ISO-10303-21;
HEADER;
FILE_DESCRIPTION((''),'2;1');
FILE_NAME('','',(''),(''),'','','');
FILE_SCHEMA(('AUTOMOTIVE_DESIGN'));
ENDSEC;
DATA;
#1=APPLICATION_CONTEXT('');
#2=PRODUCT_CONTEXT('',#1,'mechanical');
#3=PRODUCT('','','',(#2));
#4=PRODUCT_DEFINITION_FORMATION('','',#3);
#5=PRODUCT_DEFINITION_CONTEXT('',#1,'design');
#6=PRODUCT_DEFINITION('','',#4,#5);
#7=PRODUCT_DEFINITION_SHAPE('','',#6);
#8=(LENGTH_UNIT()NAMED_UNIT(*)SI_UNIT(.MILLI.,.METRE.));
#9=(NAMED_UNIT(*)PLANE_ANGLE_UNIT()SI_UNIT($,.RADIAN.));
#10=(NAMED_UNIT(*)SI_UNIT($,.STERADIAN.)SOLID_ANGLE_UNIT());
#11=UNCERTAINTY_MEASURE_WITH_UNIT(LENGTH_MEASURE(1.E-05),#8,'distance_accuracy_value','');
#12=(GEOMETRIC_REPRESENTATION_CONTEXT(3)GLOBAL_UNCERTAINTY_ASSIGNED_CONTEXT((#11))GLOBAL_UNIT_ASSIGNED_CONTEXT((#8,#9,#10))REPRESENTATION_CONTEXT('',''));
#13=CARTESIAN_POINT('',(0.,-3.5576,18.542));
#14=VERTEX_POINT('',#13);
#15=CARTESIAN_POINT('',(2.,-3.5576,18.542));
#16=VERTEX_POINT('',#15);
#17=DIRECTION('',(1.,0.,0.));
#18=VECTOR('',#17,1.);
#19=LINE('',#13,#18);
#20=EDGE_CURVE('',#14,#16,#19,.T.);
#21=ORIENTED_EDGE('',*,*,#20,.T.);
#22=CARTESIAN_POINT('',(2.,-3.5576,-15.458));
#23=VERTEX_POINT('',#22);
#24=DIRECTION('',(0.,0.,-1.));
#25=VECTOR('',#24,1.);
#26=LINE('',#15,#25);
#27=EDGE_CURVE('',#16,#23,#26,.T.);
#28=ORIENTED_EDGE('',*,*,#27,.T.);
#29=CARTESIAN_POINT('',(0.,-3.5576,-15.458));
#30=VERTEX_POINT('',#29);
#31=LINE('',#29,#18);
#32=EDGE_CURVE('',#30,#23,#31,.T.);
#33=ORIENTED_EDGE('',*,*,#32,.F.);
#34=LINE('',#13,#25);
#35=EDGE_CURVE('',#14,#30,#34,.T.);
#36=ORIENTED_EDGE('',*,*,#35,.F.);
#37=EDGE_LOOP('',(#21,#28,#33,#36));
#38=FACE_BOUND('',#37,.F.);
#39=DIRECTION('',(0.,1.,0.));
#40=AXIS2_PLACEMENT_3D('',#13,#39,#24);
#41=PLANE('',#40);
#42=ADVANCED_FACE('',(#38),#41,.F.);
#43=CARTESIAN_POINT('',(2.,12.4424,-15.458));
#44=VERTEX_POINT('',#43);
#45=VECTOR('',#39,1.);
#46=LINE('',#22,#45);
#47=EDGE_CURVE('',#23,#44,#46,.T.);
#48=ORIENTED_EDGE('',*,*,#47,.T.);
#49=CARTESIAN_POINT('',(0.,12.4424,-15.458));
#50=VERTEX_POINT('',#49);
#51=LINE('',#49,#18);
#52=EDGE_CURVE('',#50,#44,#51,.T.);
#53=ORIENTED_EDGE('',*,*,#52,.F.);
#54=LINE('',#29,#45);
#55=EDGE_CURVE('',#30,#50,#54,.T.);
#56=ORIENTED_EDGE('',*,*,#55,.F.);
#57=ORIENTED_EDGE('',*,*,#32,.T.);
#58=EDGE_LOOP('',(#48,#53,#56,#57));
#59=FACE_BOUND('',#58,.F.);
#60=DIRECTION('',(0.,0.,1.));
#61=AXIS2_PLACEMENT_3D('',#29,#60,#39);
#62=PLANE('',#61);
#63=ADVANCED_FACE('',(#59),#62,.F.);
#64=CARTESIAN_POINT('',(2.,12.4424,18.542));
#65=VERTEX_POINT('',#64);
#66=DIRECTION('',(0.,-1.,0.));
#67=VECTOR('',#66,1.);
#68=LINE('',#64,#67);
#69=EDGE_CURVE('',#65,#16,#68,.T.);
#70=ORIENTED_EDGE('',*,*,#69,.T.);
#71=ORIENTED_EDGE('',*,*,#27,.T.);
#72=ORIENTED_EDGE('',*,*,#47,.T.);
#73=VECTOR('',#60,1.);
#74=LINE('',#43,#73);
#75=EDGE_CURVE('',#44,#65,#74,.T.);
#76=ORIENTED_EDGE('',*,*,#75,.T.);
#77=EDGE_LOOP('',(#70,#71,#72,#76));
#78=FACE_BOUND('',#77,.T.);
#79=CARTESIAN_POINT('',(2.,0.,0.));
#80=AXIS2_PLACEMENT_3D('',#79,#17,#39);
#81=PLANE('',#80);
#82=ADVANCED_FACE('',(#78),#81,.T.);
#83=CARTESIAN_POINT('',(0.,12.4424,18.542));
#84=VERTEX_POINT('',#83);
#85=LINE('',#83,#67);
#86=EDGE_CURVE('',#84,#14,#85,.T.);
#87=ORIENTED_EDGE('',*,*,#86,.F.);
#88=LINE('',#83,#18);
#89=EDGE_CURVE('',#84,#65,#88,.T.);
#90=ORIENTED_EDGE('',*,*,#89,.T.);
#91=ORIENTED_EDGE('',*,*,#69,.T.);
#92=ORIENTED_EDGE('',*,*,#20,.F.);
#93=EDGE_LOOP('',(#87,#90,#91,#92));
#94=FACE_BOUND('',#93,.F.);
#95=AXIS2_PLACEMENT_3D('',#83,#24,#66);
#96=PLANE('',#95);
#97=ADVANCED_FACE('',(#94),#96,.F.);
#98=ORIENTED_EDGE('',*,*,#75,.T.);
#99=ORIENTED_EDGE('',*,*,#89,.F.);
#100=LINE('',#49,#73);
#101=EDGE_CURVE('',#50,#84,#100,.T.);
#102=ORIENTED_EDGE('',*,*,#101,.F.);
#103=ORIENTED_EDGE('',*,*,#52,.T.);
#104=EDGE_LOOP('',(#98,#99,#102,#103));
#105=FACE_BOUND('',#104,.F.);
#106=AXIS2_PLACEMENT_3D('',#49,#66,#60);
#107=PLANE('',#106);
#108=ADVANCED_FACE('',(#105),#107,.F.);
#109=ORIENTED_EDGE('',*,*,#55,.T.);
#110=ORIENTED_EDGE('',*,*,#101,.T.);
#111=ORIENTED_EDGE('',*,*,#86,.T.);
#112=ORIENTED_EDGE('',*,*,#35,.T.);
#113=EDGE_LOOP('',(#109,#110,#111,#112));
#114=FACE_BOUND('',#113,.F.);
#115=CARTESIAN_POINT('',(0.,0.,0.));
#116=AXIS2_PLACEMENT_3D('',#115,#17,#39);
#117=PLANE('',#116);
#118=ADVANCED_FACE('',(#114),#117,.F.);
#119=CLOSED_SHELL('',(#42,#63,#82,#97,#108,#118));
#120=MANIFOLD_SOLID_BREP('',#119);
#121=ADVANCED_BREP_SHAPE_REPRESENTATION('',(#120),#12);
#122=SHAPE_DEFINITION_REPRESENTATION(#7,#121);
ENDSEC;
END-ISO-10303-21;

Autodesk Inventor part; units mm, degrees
ref_plane "YZ Plane" through (0, 0, 0) normal (1, 0, 0) x (0, 1, 0)
ref_plane "XZ Plane" through (0, 0, 0) normal (0, 1, 0) x (-1, 0, 0)
ref_plane "XY Plane" through (0, 0, 0) normal (0, 0, 1) x (1, 0, 0)
sketch "Sketch3" plane through (0, 0, 0) normal (1, 0, 0) x (0, 1, 0)
  line L0 (12.4424, 18.542) -> (-3.5576, 18.542)
  line L1 (-3.5576, 18.542) -> (-3.5576, -15.458)
  line L2 (-3.5576, -15.458) -> (12.4424, -15.458)
  line L3 (12.4424, -15.458) -> (12.4424, 18.542)
  point P0 (0, 0)
  dimension "d4" = 16
  dimension "d5" = 34
extrude "Extrusion2" add sketch "Sketch3" along normal blind 2
properties part number "Rear Wall"
